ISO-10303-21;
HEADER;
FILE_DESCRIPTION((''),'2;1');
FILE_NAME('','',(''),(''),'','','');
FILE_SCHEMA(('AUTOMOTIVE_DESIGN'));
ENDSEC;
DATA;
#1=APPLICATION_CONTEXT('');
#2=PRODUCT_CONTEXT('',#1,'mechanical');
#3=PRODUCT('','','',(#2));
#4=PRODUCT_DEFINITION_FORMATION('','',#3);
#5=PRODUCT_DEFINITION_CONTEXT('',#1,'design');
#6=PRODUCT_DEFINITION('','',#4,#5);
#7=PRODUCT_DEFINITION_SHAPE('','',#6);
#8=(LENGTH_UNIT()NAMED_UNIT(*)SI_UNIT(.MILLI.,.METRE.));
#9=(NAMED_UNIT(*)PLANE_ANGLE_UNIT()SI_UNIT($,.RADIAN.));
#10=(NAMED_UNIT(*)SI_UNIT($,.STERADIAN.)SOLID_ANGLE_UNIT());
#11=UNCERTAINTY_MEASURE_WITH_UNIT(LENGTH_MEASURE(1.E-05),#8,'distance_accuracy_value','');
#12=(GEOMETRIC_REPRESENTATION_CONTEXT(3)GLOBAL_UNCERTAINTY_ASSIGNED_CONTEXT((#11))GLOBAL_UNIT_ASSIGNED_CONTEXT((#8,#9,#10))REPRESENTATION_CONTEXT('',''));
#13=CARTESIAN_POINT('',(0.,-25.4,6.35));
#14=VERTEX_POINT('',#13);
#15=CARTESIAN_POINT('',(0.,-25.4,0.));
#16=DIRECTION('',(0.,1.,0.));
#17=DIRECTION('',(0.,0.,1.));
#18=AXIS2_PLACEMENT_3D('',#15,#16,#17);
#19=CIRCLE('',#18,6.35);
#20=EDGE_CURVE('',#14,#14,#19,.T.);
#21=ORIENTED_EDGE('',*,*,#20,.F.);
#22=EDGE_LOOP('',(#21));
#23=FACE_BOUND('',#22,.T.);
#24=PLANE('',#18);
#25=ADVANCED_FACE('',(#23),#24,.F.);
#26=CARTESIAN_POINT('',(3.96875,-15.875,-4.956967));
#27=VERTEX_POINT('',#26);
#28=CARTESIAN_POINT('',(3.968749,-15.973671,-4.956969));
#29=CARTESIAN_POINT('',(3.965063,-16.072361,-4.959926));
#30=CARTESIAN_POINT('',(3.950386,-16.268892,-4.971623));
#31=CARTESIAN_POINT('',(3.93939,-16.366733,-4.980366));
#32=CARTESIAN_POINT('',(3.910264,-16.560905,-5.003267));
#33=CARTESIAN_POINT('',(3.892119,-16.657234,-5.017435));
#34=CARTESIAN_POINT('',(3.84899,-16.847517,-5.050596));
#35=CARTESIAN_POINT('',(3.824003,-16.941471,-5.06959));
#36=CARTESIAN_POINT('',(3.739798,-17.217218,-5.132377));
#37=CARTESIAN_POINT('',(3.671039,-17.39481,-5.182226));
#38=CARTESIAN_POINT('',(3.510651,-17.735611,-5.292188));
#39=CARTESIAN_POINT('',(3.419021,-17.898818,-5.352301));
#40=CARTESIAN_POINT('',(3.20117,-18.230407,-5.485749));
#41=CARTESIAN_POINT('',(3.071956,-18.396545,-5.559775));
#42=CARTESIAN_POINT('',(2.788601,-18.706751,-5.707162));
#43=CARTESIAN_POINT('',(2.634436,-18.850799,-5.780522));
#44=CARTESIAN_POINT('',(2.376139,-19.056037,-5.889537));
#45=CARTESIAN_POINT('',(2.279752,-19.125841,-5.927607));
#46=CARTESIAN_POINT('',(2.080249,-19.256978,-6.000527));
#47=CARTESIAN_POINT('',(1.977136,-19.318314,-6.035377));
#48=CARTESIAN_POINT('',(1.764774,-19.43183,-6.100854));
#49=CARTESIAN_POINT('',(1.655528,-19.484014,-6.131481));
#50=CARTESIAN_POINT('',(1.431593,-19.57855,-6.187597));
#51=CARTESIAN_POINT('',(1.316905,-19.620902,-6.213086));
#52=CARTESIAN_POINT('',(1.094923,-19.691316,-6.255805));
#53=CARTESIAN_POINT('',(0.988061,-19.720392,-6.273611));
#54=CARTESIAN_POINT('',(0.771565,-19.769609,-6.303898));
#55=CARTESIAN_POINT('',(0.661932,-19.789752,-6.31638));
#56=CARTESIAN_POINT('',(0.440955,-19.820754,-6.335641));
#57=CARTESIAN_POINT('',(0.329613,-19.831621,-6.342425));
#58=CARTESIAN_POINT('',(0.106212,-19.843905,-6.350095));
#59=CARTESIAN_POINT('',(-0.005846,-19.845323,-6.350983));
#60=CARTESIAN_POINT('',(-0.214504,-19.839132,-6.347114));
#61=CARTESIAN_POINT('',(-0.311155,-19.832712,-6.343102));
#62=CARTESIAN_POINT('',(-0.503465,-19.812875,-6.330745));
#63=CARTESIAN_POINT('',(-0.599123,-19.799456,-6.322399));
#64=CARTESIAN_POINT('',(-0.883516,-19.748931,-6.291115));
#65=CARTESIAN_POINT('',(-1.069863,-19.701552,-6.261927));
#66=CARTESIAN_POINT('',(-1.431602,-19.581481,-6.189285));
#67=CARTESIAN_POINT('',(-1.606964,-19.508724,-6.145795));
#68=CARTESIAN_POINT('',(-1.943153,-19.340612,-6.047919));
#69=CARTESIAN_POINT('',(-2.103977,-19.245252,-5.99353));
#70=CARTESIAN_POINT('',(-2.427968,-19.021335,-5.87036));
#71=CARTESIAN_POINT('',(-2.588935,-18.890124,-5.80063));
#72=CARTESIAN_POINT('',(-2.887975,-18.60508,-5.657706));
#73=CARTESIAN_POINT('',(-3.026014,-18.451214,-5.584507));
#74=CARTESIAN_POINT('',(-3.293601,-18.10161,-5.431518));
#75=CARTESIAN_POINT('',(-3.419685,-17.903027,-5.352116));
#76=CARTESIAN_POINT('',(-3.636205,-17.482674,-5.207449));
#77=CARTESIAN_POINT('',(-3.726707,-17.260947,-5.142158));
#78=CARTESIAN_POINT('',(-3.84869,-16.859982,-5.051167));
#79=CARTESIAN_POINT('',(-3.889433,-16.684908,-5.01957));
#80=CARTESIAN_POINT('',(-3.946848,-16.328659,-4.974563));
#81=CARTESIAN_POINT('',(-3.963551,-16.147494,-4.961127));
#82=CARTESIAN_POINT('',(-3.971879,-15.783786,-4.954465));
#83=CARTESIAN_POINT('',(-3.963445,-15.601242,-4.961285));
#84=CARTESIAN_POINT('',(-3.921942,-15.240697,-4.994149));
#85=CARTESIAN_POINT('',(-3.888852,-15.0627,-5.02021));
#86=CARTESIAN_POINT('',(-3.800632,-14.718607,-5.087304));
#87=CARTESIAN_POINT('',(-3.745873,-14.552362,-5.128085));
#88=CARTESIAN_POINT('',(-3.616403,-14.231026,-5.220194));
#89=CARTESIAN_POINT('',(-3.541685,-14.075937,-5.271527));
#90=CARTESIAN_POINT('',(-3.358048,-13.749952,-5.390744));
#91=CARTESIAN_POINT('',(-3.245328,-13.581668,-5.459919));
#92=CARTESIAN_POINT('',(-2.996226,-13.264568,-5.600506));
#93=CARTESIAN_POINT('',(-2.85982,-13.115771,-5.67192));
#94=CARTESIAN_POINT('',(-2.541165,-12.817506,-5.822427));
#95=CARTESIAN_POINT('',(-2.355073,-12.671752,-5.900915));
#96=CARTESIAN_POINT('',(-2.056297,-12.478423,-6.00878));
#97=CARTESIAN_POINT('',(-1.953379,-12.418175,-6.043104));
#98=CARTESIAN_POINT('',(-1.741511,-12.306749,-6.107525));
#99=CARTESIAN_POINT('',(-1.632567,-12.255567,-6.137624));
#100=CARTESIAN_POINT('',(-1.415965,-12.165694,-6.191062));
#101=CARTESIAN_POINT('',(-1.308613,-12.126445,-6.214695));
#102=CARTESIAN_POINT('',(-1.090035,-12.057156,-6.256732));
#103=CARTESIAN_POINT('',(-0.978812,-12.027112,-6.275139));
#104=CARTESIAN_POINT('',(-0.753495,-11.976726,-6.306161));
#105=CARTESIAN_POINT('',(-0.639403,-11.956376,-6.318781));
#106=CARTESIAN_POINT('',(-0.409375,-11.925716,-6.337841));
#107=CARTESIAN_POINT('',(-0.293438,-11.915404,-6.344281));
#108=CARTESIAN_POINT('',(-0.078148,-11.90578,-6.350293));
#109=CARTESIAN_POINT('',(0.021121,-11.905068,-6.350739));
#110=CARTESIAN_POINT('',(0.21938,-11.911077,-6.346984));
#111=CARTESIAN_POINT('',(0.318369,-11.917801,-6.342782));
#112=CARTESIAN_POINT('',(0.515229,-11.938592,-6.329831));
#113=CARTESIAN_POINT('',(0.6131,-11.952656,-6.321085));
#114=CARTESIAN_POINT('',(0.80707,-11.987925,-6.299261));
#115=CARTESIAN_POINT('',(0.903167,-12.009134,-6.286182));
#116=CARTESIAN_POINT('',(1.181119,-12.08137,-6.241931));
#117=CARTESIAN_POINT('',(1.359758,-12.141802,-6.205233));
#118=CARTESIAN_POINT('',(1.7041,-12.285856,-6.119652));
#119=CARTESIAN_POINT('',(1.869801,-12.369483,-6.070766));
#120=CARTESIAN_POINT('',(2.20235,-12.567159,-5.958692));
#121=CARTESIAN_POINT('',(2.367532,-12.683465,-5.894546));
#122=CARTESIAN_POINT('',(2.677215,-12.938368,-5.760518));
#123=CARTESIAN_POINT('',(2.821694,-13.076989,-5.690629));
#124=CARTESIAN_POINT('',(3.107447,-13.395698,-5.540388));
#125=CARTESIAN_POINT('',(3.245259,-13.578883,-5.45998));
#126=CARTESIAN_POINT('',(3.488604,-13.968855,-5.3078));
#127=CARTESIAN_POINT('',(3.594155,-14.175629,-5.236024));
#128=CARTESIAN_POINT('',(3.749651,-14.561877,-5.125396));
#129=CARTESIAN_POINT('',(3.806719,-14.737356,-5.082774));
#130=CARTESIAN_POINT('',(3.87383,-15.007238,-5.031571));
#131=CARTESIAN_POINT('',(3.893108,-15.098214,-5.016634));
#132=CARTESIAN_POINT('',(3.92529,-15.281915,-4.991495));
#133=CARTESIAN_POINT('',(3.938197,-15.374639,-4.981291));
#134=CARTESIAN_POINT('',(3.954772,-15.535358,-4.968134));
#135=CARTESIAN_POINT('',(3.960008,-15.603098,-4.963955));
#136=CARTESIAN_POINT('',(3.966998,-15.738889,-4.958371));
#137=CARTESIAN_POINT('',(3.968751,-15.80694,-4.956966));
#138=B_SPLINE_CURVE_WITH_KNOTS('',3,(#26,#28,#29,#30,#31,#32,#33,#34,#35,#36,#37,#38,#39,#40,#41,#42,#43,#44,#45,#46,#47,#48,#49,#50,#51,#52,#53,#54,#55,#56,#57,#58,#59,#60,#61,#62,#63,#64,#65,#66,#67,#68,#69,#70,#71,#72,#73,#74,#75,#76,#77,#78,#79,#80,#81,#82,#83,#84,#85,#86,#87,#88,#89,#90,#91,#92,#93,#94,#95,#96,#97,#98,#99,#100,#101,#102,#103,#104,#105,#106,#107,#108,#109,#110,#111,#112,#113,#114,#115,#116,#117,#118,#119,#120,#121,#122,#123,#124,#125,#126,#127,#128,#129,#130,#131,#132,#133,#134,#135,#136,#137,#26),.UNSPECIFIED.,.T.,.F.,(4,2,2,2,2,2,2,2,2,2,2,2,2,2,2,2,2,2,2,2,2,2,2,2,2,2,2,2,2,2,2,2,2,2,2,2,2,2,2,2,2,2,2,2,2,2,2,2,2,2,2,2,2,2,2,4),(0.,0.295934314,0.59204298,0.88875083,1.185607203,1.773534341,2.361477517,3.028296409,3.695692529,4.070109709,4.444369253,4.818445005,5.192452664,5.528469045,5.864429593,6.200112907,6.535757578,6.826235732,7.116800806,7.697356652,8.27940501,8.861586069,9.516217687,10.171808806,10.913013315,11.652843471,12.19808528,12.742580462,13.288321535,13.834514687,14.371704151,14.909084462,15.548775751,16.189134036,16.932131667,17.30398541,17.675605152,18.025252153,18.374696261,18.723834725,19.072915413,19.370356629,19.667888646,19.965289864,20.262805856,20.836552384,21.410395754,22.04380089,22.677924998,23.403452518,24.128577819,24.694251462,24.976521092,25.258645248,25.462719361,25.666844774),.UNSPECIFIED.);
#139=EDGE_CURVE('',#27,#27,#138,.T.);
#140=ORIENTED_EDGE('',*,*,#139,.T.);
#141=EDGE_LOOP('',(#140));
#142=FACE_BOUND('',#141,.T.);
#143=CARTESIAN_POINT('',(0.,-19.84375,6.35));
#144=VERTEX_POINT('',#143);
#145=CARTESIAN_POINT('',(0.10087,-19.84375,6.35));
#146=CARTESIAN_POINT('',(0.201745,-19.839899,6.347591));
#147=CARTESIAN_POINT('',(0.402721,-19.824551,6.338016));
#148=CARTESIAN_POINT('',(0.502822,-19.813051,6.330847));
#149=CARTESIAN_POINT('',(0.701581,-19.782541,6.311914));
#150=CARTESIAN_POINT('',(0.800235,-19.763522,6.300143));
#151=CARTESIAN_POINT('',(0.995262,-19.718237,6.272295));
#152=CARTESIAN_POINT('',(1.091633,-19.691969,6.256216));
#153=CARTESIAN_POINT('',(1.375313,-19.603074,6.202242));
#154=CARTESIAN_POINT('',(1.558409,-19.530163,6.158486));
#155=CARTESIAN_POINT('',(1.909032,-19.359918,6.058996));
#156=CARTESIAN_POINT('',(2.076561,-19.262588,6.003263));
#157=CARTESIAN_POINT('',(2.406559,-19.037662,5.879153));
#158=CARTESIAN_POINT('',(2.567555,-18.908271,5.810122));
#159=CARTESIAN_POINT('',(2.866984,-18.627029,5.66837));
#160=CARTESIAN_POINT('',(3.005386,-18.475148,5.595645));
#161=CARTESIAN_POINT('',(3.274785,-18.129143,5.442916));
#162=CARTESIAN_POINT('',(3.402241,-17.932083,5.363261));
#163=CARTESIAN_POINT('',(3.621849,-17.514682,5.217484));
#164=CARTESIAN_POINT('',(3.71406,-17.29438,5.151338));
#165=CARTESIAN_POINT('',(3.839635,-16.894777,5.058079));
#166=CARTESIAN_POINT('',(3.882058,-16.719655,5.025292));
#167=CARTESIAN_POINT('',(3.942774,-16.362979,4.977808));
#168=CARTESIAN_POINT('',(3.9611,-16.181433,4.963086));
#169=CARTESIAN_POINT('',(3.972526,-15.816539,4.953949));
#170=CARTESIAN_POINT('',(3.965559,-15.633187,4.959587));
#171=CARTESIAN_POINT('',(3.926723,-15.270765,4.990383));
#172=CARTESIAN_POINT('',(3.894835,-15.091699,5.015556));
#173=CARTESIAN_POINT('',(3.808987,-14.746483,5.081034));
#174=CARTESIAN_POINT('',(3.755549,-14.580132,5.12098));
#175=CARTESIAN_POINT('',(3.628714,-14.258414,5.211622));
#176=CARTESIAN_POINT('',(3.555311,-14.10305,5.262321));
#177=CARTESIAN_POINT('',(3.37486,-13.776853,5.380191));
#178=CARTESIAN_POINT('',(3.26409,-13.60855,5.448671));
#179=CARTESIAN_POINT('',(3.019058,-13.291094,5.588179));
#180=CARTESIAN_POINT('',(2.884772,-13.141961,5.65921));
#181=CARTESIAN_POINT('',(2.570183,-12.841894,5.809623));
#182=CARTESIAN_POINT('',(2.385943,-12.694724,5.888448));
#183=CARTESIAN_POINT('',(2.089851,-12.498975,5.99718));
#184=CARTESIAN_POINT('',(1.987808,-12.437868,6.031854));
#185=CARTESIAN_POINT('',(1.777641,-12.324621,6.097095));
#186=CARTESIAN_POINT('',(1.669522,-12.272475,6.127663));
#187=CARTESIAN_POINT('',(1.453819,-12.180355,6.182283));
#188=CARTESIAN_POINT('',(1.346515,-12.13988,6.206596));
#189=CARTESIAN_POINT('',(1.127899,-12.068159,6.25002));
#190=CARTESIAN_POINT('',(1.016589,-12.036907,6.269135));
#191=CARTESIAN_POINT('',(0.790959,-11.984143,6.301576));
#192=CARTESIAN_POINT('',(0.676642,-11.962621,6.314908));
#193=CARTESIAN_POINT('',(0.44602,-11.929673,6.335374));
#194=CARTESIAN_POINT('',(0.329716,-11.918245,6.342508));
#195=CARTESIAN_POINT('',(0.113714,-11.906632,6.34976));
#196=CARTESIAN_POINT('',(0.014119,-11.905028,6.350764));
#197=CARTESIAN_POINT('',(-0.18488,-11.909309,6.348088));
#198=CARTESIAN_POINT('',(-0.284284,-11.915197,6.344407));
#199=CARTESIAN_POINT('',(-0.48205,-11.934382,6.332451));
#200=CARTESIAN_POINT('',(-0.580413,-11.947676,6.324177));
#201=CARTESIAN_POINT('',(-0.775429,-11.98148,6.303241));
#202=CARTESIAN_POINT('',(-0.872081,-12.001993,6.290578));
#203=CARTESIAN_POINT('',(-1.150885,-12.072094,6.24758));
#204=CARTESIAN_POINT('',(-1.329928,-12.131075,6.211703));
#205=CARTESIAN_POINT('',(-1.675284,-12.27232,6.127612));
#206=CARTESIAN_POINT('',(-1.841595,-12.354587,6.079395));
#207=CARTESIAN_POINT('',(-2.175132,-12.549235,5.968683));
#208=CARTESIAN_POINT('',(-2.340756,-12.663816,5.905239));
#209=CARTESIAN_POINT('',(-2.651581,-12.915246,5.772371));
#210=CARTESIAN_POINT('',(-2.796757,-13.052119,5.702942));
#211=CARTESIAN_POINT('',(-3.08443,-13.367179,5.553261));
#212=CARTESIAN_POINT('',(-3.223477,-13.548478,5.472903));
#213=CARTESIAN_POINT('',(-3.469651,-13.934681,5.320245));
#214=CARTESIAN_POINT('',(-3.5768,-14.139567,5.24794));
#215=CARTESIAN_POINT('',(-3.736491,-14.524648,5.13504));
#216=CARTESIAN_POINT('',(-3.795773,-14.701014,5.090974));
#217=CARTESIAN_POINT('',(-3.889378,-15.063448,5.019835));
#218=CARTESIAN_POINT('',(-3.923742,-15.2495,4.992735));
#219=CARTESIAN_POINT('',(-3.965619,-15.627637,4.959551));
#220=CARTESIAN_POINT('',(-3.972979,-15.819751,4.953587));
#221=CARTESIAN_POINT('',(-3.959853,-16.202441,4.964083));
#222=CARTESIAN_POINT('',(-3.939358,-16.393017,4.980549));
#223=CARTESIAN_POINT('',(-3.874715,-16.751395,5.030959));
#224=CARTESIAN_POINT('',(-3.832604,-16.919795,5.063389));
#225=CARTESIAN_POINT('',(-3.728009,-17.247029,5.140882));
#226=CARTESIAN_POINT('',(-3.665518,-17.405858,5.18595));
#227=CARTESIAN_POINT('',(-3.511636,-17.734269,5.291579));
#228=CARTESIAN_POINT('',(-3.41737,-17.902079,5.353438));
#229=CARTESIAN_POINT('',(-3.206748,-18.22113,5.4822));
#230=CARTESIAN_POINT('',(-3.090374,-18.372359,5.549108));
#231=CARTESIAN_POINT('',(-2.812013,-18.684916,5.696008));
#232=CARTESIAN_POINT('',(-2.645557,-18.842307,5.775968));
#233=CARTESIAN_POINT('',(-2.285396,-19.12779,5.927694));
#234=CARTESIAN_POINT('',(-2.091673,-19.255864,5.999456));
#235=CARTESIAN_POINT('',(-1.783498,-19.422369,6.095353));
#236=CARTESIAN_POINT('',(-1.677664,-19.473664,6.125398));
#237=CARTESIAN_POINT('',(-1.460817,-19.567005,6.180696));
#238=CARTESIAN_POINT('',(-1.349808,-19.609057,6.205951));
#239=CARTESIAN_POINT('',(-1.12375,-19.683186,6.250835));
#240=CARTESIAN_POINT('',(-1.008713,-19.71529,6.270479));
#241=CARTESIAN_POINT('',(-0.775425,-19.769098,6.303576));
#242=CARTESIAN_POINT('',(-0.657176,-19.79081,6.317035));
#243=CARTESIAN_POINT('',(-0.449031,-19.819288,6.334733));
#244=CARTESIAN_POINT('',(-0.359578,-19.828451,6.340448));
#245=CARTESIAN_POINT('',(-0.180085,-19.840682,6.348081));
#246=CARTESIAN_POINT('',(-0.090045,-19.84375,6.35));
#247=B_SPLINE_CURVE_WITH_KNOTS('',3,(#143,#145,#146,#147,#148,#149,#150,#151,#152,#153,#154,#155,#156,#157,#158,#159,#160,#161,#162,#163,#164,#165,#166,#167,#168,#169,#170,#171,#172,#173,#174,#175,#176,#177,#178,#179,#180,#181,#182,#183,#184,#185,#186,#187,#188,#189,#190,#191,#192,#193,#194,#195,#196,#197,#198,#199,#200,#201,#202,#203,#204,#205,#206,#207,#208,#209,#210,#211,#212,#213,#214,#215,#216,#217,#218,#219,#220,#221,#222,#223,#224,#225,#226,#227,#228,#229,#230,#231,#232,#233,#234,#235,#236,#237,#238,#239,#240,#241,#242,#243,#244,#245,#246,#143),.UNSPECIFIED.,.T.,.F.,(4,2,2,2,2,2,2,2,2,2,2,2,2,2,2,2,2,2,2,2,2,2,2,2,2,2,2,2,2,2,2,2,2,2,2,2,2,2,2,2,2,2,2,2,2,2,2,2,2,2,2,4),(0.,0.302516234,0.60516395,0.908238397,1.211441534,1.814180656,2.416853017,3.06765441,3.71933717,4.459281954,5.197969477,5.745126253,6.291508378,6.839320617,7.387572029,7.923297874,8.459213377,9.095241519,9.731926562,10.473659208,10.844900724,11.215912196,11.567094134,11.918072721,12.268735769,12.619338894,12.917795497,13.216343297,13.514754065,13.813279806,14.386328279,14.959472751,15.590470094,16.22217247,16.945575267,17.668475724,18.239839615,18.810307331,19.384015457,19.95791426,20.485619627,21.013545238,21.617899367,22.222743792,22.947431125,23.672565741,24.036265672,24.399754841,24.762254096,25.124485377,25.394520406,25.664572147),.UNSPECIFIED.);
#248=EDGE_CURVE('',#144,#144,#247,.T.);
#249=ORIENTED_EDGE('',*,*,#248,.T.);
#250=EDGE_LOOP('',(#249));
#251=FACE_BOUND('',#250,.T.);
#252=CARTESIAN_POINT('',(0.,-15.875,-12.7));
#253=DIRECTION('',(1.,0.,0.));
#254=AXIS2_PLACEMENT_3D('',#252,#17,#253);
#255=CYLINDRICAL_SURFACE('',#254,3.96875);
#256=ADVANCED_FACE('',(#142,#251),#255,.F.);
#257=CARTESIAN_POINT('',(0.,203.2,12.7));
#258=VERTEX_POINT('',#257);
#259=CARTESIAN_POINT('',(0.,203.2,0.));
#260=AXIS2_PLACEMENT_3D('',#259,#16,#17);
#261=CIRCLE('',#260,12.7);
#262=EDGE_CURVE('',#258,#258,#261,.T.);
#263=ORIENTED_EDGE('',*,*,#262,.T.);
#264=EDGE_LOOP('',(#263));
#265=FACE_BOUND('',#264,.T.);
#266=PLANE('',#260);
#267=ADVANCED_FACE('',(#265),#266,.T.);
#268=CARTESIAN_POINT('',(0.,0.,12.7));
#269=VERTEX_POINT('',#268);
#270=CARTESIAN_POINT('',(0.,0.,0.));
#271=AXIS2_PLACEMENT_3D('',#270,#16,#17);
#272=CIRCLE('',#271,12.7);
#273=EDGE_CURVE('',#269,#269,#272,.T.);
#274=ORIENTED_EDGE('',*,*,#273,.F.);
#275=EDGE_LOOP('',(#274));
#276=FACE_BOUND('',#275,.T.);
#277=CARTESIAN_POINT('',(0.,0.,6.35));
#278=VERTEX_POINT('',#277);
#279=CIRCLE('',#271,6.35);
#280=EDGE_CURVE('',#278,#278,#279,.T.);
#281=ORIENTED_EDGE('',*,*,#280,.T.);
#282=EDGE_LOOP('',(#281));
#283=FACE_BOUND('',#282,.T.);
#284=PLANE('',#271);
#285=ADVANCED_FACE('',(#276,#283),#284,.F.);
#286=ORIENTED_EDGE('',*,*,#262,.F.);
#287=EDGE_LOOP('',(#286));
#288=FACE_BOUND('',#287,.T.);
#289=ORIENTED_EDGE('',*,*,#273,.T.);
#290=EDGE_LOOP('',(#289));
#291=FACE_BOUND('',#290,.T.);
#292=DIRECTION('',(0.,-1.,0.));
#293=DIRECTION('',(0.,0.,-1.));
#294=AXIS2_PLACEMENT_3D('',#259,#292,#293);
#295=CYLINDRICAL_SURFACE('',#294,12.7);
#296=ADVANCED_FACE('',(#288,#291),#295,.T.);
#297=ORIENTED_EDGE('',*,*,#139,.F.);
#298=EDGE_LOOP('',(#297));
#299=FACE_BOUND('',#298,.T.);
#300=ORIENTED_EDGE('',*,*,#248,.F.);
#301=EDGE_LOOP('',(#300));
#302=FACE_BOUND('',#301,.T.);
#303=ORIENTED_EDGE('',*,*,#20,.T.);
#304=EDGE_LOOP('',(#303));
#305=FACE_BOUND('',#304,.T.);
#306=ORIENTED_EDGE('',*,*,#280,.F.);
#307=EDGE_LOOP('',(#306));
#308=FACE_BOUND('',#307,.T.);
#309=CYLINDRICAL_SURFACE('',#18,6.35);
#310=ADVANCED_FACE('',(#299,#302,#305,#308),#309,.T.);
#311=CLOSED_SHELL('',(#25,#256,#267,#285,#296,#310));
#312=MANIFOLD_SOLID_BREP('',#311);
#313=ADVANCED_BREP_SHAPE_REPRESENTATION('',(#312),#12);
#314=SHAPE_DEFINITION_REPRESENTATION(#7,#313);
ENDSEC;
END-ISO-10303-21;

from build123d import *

# Parameters (mm, degrees)
SKETCH1_R               = 12.7
BOSS_EXTRUDE1_DEPTH     = 203.2
SKETCH1_3_R             = 6.35
BOSS_EXTRUDE2_DEPTH     = 25.4
CUT_EXTRUDE2_DEPTH      = 204.992205733
CUT_EXTRUDE2_DEPTH_BACK = 204.992205733
SKETCH3_R               = 3.96875


with BuildPart() as part:
    # Sketch1 → Boss-Extrude1 (new body)
    with BuildSketch(Plane(origin=(0, 0, 0), x_dir=(1, 0, 0), z_dir=(0, 1, 0))):
        Circle(SKETCH1_R)
    extrude(amount=BOSS_EXTRUDE1_DEPTH)

    # Sketch1<3> → Boss-Extrude2 (add)
    with BuildSketch(Plane(origin=(0, 0, 0), x_dir=(1, 0, 0), z_dir=(0, 1, 0))):
        Circle(SKETCH1_3_R)
    extrude(amount=-BOSS_EXTRUDE2_DEPTH)

    # Sketch3 → Cut-Extrude2 (cut, two sides: drawn at the far end of the back side and taken through both)
    with BuildSketch(Plane.XY.offset(-CUT_EXTRUDE2_DEPTH_BACK)):
        with Locations((0, -15.875)):
            Circle(SKETCH3_R)
    extrude(amount=CUT_EXTRUDE2_DEPTH + CUT_EXTRUDE2_DEPTH_BACK, mode=Mode.SUBTRACT)


solid = part.part
